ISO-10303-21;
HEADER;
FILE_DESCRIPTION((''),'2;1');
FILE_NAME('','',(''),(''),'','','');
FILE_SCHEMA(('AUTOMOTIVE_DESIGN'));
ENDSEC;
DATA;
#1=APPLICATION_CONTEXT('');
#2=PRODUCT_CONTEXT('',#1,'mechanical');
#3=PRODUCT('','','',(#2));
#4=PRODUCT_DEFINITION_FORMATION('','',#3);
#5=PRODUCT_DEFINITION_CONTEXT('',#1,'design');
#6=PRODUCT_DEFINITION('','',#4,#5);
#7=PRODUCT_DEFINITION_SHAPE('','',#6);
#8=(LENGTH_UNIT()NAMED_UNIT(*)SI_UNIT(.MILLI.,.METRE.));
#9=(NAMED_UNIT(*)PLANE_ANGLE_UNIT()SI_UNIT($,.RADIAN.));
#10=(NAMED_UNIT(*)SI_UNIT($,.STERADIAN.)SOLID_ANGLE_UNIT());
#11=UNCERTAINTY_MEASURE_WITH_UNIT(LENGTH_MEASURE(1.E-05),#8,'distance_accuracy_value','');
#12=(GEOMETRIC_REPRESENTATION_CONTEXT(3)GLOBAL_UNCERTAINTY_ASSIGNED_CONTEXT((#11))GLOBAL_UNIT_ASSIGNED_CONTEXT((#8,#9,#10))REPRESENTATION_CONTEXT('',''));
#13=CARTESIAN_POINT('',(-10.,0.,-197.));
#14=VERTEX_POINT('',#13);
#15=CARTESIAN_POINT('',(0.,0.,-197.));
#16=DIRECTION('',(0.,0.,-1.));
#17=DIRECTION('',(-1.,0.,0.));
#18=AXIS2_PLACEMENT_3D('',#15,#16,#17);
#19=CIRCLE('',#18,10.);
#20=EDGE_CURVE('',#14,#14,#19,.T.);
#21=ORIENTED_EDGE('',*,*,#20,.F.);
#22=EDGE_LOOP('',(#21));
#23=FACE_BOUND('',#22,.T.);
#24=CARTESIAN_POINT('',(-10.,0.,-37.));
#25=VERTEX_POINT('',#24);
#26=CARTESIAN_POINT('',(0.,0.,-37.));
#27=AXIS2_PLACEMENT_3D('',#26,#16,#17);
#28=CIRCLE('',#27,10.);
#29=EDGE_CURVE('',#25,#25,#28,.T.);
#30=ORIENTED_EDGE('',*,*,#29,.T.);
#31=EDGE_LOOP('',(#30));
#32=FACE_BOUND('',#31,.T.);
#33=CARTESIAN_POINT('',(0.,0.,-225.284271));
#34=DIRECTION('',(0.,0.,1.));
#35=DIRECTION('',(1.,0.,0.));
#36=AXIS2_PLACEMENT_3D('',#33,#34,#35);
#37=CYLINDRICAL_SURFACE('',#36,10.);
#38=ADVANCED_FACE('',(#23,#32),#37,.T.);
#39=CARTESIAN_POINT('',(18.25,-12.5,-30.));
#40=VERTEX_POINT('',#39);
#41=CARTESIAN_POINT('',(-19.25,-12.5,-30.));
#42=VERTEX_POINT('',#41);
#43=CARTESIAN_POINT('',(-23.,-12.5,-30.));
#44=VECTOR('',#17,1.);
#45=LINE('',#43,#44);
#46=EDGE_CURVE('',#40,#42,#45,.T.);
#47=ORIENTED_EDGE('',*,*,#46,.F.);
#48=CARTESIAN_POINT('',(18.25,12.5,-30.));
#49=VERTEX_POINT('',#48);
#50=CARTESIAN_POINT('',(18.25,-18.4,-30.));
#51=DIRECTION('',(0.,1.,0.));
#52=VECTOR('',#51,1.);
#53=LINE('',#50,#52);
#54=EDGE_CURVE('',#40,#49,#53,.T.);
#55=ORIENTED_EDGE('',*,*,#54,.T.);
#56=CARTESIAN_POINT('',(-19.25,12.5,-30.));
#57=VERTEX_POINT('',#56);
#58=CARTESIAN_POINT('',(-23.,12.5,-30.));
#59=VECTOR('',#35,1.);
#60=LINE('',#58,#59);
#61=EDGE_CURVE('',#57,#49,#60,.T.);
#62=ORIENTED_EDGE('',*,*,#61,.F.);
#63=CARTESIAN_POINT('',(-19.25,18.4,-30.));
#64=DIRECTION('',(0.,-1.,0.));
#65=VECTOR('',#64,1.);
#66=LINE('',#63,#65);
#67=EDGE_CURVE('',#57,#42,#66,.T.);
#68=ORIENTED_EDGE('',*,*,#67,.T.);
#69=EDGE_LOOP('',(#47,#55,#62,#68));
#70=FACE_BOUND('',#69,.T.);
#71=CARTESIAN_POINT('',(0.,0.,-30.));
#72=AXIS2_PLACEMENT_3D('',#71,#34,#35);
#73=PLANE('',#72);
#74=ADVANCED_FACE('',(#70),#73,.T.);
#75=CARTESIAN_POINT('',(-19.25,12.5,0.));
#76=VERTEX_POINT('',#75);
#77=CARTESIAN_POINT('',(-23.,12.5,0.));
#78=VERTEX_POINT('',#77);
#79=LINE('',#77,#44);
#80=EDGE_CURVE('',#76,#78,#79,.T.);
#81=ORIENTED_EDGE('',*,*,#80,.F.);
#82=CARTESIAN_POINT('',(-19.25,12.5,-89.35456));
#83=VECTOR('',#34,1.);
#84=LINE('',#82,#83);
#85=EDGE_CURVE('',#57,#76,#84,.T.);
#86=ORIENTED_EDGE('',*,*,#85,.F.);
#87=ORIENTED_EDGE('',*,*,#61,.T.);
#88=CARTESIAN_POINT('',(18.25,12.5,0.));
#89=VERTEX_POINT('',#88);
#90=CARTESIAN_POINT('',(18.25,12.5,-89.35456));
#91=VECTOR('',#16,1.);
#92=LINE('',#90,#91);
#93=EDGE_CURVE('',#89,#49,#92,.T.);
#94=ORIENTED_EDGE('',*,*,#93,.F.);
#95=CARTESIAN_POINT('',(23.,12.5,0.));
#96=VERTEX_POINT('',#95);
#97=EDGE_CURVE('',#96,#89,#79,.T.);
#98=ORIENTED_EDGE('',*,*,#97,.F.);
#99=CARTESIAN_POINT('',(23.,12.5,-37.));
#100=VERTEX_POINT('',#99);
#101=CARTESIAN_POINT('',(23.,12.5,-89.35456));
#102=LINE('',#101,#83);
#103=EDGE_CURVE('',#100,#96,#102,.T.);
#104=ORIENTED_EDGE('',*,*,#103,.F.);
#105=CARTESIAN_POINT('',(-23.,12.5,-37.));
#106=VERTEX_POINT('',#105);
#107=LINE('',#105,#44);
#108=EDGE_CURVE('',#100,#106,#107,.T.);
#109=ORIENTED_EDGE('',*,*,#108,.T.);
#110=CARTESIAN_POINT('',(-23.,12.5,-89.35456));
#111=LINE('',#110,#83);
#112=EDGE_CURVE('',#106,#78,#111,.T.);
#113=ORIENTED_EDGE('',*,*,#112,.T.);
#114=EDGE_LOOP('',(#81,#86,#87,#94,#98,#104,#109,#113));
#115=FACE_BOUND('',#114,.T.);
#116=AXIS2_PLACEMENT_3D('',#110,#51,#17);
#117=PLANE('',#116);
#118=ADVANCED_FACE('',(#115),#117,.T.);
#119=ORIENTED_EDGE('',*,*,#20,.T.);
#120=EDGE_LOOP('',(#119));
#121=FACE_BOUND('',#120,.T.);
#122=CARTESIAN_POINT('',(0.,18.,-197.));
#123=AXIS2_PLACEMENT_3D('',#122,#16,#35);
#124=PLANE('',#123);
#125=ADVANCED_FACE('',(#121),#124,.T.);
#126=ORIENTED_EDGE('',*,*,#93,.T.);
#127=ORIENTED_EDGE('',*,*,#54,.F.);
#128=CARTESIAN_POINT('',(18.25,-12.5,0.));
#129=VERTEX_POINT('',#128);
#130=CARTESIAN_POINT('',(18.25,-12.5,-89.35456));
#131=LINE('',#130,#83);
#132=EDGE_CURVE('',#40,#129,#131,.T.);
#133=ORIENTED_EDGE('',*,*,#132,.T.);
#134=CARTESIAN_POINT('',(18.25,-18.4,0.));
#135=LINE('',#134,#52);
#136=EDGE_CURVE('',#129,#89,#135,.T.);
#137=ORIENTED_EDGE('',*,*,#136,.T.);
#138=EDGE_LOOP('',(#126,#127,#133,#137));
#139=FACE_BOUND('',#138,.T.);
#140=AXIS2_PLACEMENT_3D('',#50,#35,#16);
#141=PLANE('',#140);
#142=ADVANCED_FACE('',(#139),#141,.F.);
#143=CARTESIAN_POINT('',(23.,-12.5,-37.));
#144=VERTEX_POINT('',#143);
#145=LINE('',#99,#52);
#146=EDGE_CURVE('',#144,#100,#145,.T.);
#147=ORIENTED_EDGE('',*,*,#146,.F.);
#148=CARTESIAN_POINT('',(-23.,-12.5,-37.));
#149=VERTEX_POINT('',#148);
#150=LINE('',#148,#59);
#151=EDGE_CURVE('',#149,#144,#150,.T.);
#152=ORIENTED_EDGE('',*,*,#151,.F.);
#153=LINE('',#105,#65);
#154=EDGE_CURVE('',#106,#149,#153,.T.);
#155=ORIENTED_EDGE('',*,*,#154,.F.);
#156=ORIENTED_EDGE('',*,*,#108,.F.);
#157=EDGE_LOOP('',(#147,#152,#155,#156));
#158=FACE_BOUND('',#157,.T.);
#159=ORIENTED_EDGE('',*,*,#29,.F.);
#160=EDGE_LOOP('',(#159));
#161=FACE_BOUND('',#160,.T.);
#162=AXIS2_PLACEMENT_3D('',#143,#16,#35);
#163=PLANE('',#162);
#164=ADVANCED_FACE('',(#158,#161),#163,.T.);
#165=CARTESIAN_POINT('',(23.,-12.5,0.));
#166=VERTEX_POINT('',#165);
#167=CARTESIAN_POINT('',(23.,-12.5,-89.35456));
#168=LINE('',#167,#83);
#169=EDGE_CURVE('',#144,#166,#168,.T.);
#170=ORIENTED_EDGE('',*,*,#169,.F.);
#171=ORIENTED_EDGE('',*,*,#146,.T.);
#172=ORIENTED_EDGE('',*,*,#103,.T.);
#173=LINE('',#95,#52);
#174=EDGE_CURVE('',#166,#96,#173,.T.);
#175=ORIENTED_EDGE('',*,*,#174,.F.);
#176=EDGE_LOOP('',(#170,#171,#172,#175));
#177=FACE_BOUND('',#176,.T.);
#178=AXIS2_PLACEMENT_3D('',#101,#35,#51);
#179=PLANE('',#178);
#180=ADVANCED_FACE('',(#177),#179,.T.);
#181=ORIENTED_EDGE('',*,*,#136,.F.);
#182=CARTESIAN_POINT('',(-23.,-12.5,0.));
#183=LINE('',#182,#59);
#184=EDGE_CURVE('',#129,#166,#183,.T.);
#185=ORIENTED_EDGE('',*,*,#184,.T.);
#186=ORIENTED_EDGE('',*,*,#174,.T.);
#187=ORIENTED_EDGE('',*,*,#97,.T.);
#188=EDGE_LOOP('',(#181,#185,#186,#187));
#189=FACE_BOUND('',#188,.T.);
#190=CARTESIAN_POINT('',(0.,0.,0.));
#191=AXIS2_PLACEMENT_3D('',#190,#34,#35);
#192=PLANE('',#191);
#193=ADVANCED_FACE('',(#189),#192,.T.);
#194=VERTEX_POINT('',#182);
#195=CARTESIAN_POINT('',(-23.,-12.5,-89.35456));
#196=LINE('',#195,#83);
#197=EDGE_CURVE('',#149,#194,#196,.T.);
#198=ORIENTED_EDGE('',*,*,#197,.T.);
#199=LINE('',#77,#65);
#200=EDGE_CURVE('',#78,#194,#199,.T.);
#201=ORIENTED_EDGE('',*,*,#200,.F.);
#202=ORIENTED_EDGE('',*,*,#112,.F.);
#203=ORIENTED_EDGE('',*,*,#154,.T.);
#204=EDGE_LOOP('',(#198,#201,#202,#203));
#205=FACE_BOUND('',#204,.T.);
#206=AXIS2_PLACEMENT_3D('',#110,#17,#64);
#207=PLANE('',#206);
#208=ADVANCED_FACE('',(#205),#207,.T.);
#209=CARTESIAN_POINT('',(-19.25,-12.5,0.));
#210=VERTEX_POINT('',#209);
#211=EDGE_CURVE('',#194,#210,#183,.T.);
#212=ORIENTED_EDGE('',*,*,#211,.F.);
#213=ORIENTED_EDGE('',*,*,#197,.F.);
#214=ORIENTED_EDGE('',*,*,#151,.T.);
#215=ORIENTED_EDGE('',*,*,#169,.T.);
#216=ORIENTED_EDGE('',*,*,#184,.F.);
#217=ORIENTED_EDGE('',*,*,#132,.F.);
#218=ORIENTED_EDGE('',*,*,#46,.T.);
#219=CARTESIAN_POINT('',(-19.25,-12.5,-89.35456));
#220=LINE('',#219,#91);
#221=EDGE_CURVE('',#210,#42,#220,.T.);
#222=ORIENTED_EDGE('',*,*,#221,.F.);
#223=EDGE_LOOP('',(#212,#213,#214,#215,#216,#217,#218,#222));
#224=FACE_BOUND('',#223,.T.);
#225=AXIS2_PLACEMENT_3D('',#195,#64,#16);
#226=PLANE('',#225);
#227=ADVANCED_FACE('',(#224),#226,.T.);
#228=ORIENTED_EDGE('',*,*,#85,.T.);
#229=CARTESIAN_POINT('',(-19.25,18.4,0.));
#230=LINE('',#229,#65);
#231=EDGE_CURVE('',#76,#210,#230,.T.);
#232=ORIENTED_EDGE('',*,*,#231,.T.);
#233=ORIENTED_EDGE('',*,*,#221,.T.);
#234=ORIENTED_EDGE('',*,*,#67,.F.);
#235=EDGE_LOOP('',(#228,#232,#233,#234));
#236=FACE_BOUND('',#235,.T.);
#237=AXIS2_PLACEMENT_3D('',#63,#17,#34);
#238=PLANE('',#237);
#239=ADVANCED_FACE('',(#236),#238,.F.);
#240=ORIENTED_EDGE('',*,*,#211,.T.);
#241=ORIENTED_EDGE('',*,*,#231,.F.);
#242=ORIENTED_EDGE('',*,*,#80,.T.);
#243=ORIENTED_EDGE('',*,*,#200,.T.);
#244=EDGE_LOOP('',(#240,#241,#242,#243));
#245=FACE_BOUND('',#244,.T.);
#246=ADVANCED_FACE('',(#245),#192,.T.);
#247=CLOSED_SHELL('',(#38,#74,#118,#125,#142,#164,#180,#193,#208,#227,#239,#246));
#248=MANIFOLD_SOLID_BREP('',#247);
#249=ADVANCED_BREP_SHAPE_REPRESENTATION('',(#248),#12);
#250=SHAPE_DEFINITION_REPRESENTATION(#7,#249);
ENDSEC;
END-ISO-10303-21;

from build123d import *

# Parameters (mm, degrees)
SKETCH1_W           = 46
SKETCH1_H           = 25
BOSS_EXTRUDE1_DEPTH = 37
SKETCH2_R           = 10
BOSS_EXTRUDE2_DEPTH = 160
SKETCH3_W           = 37.5
SKETCH3_H           = 36.8
CUT_EXTRUDE1_DEPTH  = 30


with BuildPart() as part:
    # Sketch1 → Boss-Extrude1 (new body)
    with BuildSketch(Plane.XY):
        Rectangle(SKETCH1_W, SKETCH1_H)
    extrude(amount=-BOSS_EXTRUDE1_DEPTH)

    # Sketch2 → Boss-Extrude2 (add)
    with BuildSketch(Plane(origin=(0, 0, -37), x_dir=(-1, 0, 0), z_dir=(0, 0, -1))):
        Circle(SKETCH2_R)
    extrude(amount=BOSS_EXTRUDE2_DEPTH)

    # Sketch3 → Cut-Extrude1 (cut)
    with BuildSketch(Plane.XY):
        with Locations((-0.5, 0)):
            Rectangle(SKETCH3_W, SKETCH3_H)
    extrude(amount=-CUT_EXTRUDE1_DEPTH, mode=Mode.SUBTRACT)


solid = part.part
